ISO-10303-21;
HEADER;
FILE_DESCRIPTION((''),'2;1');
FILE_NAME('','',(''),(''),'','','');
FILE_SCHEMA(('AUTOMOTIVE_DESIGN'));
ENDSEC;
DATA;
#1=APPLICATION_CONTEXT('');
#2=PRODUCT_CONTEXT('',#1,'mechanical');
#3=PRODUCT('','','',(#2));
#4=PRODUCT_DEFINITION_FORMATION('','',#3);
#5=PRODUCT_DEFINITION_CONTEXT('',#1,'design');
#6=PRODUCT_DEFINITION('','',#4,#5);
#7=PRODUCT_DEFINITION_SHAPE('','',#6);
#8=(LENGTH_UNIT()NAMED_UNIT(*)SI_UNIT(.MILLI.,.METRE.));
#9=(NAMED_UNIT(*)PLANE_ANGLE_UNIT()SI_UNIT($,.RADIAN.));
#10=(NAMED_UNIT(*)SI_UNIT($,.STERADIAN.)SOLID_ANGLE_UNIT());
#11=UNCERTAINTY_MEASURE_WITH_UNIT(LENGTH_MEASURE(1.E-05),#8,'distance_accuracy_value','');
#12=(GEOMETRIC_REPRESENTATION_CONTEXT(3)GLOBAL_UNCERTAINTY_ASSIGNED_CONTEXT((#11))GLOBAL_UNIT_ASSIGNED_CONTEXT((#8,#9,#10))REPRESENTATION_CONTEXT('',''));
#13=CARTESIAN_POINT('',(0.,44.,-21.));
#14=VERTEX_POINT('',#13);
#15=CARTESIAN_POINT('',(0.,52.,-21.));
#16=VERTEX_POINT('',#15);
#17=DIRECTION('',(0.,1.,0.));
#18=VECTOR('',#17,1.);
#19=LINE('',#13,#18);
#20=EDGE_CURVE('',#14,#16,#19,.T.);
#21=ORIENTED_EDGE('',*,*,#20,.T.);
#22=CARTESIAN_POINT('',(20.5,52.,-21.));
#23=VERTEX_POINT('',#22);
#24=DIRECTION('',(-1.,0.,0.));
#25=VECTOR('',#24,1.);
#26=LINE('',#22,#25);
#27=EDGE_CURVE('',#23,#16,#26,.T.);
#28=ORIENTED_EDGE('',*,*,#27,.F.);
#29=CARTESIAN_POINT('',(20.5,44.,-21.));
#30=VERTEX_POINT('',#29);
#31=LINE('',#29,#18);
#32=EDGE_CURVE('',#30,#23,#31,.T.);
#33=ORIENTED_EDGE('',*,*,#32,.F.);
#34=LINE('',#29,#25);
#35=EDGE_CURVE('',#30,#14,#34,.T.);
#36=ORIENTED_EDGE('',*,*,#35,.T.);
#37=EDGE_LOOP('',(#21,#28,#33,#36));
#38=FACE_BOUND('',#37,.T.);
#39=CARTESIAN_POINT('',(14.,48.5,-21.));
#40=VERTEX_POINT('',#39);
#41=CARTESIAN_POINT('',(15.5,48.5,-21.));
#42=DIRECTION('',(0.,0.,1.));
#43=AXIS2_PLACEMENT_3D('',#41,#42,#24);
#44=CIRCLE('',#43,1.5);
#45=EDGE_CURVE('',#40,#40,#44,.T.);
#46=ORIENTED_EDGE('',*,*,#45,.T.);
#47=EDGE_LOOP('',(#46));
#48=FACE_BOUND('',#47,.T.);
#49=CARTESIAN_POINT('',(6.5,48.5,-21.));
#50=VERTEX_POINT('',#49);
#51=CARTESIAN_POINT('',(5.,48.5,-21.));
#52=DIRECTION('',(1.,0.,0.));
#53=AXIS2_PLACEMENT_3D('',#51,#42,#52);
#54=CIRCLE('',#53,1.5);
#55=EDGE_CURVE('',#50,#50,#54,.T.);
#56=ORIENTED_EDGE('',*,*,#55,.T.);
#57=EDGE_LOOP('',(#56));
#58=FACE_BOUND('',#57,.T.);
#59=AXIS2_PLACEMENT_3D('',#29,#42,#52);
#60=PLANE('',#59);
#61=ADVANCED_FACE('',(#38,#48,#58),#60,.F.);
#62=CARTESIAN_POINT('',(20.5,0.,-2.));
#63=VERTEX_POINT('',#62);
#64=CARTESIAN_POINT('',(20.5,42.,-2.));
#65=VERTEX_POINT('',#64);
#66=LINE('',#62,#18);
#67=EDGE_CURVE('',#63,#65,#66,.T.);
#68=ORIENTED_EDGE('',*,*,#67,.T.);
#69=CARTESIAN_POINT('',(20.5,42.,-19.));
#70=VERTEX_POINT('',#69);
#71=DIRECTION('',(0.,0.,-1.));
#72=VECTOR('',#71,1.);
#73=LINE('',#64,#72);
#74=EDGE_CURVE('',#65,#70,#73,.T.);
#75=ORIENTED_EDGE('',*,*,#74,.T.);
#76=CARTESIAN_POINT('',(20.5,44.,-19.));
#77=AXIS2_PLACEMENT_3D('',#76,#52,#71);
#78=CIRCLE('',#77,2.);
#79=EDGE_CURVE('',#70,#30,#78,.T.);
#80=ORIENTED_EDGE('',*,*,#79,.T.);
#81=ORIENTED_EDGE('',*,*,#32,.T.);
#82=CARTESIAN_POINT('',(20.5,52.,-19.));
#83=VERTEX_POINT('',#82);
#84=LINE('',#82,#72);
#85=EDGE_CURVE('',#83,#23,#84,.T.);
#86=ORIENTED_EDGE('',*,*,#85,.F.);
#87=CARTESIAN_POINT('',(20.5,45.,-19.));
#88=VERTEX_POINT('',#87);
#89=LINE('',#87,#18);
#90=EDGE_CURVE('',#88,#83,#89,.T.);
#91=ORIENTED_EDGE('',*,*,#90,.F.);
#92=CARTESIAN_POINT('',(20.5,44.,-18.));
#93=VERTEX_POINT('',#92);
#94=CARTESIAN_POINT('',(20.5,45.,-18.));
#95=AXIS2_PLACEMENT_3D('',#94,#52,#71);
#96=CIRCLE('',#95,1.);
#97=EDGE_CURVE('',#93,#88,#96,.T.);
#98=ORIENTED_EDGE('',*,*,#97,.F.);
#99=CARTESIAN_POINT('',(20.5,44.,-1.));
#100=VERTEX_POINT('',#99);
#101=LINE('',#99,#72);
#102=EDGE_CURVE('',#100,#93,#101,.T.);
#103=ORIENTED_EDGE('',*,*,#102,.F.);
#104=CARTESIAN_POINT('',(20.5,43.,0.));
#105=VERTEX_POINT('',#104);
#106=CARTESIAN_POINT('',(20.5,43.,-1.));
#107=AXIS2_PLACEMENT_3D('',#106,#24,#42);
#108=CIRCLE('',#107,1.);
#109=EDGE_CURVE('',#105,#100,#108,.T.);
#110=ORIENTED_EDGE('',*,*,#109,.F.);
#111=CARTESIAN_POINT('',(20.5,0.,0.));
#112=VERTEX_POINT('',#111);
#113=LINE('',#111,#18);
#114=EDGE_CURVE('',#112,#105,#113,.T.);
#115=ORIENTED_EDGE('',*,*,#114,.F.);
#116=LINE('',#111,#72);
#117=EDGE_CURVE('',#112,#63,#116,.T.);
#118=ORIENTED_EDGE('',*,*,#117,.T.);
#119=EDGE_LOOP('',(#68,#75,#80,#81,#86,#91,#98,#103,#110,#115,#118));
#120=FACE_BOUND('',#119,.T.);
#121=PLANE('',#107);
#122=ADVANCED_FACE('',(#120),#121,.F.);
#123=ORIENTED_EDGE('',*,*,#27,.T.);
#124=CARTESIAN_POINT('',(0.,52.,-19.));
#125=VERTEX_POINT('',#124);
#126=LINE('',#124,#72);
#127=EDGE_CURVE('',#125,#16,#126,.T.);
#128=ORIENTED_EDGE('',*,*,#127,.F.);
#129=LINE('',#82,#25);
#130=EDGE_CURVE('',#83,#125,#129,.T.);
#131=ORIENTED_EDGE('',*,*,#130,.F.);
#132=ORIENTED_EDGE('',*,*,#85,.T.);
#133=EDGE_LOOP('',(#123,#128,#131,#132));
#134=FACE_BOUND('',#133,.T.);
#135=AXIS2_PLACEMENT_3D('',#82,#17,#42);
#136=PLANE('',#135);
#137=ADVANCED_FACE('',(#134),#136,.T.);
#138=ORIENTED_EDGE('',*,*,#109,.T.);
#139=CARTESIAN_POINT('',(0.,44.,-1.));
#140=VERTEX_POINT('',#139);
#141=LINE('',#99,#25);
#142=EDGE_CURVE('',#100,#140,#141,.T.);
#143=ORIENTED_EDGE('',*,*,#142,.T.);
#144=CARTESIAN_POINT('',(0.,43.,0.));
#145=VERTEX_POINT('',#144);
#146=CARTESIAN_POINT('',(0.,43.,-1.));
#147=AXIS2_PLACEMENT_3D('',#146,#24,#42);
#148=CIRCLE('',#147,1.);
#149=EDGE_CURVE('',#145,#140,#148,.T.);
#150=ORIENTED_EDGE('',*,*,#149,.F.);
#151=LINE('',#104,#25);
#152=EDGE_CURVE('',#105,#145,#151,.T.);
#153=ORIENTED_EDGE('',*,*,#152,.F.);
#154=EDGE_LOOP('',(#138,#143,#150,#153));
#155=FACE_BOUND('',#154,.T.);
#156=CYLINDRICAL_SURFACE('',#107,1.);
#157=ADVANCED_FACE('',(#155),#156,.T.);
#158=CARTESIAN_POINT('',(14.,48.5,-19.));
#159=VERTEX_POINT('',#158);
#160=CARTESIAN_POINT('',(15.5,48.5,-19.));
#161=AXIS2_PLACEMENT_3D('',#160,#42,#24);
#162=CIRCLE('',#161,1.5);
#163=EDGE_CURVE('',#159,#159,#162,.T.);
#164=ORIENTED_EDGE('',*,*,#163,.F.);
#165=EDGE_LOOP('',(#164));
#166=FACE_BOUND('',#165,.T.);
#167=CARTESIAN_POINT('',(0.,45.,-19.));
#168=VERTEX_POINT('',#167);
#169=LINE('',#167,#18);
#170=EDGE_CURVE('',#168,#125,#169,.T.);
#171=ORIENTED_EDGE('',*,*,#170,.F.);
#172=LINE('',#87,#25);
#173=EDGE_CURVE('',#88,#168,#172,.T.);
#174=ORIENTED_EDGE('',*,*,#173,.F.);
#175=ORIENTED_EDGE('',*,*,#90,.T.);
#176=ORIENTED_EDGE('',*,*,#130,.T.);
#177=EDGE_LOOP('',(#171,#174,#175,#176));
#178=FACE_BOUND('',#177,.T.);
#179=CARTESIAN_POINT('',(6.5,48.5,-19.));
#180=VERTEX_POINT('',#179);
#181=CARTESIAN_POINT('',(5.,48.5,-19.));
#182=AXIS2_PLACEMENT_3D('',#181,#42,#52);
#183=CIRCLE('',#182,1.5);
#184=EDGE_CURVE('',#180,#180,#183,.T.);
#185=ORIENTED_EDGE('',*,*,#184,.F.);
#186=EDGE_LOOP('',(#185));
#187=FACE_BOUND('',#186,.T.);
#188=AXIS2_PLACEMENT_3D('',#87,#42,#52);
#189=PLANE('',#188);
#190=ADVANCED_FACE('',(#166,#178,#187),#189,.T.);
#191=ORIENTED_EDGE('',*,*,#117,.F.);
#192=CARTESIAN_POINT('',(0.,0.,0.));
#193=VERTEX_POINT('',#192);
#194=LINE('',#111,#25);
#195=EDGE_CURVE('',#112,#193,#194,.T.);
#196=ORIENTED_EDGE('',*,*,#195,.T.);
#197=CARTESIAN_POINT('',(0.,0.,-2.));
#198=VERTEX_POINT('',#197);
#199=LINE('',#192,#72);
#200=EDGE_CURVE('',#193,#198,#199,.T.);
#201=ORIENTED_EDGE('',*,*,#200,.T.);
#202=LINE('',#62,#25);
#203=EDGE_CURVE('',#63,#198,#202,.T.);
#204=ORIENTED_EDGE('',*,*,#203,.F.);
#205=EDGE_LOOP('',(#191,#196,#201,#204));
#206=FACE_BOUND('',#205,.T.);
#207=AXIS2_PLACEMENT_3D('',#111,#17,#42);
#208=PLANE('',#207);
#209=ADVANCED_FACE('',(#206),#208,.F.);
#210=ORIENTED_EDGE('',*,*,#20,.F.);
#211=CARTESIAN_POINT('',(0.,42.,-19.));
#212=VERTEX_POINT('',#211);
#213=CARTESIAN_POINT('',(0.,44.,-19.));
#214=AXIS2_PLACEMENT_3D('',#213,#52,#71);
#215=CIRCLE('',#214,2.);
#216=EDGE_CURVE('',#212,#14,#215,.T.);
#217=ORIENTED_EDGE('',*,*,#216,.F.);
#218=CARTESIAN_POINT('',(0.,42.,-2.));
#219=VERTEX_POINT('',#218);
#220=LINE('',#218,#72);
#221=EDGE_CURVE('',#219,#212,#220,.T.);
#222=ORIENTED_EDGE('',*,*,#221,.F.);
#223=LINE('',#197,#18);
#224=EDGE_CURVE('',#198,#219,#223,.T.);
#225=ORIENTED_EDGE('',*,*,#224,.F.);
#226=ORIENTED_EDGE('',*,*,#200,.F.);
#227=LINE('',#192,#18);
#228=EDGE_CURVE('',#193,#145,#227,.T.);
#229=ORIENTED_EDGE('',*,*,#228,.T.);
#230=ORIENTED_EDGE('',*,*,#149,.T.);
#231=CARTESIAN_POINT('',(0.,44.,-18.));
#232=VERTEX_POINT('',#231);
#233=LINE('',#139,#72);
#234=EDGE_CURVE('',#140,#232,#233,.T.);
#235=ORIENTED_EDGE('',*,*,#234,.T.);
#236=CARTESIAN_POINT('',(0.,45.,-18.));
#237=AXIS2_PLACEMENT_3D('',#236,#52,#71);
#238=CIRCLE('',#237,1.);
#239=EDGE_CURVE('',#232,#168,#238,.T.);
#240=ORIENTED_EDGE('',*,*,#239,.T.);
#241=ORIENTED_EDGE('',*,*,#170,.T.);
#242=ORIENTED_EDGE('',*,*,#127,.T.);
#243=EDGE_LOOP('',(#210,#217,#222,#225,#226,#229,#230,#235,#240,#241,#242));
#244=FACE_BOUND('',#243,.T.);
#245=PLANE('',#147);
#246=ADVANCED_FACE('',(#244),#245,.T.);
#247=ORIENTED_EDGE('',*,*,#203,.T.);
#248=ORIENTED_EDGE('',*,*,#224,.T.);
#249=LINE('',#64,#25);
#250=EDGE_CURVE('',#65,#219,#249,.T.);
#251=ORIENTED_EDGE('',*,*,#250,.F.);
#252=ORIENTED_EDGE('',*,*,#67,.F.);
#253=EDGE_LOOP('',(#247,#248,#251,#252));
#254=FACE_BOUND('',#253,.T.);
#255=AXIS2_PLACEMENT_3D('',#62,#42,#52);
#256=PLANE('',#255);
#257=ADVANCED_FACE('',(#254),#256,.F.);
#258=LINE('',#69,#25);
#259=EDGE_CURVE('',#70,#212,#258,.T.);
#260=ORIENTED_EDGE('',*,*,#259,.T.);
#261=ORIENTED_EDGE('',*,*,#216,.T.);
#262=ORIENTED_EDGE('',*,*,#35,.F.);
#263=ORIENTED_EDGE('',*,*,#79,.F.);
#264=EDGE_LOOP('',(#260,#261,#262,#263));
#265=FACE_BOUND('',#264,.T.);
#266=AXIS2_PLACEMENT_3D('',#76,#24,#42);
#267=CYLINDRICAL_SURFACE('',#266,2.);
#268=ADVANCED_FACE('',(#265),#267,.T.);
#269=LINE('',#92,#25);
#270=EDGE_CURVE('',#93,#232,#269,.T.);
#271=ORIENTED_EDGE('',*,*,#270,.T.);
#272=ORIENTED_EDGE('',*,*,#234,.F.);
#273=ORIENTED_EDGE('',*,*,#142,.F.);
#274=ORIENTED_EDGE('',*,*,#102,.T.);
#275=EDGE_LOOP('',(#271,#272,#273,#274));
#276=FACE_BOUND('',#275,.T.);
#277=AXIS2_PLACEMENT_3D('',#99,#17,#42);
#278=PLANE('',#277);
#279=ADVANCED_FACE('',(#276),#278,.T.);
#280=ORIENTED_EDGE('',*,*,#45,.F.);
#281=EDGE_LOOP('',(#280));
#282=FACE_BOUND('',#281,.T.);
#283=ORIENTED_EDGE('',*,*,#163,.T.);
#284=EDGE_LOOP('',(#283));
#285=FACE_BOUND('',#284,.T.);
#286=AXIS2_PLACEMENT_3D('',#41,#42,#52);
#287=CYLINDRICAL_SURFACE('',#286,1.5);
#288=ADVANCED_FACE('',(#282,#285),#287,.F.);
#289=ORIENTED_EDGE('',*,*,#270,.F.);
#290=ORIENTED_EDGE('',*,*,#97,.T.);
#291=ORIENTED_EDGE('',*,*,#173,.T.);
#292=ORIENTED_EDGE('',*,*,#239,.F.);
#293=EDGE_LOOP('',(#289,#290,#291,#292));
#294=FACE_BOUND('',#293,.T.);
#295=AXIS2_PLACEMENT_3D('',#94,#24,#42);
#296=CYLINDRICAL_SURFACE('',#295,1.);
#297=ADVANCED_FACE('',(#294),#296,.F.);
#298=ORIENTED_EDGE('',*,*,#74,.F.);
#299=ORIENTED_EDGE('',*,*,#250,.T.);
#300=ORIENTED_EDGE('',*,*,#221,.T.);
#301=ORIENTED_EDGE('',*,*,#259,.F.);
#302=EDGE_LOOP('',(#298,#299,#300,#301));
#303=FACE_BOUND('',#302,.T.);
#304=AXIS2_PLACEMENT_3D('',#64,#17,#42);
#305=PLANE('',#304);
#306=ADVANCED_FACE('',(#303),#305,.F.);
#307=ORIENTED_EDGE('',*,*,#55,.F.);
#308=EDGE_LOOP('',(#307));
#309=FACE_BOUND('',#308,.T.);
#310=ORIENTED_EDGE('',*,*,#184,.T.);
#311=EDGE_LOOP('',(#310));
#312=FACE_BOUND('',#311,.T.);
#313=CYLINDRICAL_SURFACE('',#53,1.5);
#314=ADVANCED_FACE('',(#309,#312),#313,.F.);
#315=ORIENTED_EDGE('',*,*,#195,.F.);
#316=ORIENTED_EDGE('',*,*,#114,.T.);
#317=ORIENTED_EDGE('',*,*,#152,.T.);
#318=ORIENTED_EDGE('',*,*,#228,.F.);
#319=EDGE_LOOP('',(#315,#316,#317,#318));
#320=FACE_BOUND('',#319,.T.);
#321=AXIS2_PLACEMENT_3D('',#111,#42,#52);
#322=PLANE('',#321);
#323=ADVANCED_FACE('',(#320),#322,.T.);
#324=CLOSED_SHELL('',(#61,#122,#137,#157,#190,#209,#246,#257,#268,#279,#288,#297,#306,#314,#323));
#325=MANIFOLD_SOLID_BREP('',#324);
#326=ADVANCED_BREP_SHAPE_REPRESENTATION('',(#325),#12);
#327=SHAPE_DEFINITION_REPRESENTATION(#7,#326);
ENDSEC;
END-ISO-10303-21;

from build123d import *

# Parameters (mm, degrees)
BOSS_EXTRUDE1_DEPTH = 20.5
SKETCH2_R           = 1.5
CUT_EXTRUDE1_DEPTH  = 60.036005962


with BuildPart() as part:
    # Sketch1 → Boss-Extrude1 (new body)
    with BuildSketch(Plane(origin=(0, 0, 0), x_dir=(0, 0, -1), z_dir=(1, 0, 0))):
        with BuildLine():
            Line((0, 0), (0, 43))
            ThreePointArc((0, 43), (0.292893219, 43.707106781), (1, 44))
            Line((1, 44), (18, 44))
            ThreePointArc((18, 44), (18.707106781, 44.292893219), (19, 45))
            Line((19, 45), (19, 52))
            Line((19, 52), (21, 52))
            Line((21, 52), (21, 44))
            ThreePointArc((21, 44), (20.414213562, 42.585786438), (19, 42))
            Line((19, 42), (2, 42))
            Line((2, 42), (2, 0))
            Line((2, 0), (0, 0))
        make_face()
    extrude(amount=BOSS_EXTRUDE1_DEPTH)

    # Sketch2 → Cut-Extrude1 (cut, through all)
    with BuildSketch(Plane.XY.offset(-19)):
        with Locations((5, 48.5)):
            Circle(SKETCH2_R)
        with Locations(Location((15.5, 48.5, 0), (0, 0, 180))):
            Circle(SKETCH2_R)
    extrude(amount=-CUT_EXTRUDE1_DEPTH, mode=Mode.SUBTRACT)


solid = part.part
